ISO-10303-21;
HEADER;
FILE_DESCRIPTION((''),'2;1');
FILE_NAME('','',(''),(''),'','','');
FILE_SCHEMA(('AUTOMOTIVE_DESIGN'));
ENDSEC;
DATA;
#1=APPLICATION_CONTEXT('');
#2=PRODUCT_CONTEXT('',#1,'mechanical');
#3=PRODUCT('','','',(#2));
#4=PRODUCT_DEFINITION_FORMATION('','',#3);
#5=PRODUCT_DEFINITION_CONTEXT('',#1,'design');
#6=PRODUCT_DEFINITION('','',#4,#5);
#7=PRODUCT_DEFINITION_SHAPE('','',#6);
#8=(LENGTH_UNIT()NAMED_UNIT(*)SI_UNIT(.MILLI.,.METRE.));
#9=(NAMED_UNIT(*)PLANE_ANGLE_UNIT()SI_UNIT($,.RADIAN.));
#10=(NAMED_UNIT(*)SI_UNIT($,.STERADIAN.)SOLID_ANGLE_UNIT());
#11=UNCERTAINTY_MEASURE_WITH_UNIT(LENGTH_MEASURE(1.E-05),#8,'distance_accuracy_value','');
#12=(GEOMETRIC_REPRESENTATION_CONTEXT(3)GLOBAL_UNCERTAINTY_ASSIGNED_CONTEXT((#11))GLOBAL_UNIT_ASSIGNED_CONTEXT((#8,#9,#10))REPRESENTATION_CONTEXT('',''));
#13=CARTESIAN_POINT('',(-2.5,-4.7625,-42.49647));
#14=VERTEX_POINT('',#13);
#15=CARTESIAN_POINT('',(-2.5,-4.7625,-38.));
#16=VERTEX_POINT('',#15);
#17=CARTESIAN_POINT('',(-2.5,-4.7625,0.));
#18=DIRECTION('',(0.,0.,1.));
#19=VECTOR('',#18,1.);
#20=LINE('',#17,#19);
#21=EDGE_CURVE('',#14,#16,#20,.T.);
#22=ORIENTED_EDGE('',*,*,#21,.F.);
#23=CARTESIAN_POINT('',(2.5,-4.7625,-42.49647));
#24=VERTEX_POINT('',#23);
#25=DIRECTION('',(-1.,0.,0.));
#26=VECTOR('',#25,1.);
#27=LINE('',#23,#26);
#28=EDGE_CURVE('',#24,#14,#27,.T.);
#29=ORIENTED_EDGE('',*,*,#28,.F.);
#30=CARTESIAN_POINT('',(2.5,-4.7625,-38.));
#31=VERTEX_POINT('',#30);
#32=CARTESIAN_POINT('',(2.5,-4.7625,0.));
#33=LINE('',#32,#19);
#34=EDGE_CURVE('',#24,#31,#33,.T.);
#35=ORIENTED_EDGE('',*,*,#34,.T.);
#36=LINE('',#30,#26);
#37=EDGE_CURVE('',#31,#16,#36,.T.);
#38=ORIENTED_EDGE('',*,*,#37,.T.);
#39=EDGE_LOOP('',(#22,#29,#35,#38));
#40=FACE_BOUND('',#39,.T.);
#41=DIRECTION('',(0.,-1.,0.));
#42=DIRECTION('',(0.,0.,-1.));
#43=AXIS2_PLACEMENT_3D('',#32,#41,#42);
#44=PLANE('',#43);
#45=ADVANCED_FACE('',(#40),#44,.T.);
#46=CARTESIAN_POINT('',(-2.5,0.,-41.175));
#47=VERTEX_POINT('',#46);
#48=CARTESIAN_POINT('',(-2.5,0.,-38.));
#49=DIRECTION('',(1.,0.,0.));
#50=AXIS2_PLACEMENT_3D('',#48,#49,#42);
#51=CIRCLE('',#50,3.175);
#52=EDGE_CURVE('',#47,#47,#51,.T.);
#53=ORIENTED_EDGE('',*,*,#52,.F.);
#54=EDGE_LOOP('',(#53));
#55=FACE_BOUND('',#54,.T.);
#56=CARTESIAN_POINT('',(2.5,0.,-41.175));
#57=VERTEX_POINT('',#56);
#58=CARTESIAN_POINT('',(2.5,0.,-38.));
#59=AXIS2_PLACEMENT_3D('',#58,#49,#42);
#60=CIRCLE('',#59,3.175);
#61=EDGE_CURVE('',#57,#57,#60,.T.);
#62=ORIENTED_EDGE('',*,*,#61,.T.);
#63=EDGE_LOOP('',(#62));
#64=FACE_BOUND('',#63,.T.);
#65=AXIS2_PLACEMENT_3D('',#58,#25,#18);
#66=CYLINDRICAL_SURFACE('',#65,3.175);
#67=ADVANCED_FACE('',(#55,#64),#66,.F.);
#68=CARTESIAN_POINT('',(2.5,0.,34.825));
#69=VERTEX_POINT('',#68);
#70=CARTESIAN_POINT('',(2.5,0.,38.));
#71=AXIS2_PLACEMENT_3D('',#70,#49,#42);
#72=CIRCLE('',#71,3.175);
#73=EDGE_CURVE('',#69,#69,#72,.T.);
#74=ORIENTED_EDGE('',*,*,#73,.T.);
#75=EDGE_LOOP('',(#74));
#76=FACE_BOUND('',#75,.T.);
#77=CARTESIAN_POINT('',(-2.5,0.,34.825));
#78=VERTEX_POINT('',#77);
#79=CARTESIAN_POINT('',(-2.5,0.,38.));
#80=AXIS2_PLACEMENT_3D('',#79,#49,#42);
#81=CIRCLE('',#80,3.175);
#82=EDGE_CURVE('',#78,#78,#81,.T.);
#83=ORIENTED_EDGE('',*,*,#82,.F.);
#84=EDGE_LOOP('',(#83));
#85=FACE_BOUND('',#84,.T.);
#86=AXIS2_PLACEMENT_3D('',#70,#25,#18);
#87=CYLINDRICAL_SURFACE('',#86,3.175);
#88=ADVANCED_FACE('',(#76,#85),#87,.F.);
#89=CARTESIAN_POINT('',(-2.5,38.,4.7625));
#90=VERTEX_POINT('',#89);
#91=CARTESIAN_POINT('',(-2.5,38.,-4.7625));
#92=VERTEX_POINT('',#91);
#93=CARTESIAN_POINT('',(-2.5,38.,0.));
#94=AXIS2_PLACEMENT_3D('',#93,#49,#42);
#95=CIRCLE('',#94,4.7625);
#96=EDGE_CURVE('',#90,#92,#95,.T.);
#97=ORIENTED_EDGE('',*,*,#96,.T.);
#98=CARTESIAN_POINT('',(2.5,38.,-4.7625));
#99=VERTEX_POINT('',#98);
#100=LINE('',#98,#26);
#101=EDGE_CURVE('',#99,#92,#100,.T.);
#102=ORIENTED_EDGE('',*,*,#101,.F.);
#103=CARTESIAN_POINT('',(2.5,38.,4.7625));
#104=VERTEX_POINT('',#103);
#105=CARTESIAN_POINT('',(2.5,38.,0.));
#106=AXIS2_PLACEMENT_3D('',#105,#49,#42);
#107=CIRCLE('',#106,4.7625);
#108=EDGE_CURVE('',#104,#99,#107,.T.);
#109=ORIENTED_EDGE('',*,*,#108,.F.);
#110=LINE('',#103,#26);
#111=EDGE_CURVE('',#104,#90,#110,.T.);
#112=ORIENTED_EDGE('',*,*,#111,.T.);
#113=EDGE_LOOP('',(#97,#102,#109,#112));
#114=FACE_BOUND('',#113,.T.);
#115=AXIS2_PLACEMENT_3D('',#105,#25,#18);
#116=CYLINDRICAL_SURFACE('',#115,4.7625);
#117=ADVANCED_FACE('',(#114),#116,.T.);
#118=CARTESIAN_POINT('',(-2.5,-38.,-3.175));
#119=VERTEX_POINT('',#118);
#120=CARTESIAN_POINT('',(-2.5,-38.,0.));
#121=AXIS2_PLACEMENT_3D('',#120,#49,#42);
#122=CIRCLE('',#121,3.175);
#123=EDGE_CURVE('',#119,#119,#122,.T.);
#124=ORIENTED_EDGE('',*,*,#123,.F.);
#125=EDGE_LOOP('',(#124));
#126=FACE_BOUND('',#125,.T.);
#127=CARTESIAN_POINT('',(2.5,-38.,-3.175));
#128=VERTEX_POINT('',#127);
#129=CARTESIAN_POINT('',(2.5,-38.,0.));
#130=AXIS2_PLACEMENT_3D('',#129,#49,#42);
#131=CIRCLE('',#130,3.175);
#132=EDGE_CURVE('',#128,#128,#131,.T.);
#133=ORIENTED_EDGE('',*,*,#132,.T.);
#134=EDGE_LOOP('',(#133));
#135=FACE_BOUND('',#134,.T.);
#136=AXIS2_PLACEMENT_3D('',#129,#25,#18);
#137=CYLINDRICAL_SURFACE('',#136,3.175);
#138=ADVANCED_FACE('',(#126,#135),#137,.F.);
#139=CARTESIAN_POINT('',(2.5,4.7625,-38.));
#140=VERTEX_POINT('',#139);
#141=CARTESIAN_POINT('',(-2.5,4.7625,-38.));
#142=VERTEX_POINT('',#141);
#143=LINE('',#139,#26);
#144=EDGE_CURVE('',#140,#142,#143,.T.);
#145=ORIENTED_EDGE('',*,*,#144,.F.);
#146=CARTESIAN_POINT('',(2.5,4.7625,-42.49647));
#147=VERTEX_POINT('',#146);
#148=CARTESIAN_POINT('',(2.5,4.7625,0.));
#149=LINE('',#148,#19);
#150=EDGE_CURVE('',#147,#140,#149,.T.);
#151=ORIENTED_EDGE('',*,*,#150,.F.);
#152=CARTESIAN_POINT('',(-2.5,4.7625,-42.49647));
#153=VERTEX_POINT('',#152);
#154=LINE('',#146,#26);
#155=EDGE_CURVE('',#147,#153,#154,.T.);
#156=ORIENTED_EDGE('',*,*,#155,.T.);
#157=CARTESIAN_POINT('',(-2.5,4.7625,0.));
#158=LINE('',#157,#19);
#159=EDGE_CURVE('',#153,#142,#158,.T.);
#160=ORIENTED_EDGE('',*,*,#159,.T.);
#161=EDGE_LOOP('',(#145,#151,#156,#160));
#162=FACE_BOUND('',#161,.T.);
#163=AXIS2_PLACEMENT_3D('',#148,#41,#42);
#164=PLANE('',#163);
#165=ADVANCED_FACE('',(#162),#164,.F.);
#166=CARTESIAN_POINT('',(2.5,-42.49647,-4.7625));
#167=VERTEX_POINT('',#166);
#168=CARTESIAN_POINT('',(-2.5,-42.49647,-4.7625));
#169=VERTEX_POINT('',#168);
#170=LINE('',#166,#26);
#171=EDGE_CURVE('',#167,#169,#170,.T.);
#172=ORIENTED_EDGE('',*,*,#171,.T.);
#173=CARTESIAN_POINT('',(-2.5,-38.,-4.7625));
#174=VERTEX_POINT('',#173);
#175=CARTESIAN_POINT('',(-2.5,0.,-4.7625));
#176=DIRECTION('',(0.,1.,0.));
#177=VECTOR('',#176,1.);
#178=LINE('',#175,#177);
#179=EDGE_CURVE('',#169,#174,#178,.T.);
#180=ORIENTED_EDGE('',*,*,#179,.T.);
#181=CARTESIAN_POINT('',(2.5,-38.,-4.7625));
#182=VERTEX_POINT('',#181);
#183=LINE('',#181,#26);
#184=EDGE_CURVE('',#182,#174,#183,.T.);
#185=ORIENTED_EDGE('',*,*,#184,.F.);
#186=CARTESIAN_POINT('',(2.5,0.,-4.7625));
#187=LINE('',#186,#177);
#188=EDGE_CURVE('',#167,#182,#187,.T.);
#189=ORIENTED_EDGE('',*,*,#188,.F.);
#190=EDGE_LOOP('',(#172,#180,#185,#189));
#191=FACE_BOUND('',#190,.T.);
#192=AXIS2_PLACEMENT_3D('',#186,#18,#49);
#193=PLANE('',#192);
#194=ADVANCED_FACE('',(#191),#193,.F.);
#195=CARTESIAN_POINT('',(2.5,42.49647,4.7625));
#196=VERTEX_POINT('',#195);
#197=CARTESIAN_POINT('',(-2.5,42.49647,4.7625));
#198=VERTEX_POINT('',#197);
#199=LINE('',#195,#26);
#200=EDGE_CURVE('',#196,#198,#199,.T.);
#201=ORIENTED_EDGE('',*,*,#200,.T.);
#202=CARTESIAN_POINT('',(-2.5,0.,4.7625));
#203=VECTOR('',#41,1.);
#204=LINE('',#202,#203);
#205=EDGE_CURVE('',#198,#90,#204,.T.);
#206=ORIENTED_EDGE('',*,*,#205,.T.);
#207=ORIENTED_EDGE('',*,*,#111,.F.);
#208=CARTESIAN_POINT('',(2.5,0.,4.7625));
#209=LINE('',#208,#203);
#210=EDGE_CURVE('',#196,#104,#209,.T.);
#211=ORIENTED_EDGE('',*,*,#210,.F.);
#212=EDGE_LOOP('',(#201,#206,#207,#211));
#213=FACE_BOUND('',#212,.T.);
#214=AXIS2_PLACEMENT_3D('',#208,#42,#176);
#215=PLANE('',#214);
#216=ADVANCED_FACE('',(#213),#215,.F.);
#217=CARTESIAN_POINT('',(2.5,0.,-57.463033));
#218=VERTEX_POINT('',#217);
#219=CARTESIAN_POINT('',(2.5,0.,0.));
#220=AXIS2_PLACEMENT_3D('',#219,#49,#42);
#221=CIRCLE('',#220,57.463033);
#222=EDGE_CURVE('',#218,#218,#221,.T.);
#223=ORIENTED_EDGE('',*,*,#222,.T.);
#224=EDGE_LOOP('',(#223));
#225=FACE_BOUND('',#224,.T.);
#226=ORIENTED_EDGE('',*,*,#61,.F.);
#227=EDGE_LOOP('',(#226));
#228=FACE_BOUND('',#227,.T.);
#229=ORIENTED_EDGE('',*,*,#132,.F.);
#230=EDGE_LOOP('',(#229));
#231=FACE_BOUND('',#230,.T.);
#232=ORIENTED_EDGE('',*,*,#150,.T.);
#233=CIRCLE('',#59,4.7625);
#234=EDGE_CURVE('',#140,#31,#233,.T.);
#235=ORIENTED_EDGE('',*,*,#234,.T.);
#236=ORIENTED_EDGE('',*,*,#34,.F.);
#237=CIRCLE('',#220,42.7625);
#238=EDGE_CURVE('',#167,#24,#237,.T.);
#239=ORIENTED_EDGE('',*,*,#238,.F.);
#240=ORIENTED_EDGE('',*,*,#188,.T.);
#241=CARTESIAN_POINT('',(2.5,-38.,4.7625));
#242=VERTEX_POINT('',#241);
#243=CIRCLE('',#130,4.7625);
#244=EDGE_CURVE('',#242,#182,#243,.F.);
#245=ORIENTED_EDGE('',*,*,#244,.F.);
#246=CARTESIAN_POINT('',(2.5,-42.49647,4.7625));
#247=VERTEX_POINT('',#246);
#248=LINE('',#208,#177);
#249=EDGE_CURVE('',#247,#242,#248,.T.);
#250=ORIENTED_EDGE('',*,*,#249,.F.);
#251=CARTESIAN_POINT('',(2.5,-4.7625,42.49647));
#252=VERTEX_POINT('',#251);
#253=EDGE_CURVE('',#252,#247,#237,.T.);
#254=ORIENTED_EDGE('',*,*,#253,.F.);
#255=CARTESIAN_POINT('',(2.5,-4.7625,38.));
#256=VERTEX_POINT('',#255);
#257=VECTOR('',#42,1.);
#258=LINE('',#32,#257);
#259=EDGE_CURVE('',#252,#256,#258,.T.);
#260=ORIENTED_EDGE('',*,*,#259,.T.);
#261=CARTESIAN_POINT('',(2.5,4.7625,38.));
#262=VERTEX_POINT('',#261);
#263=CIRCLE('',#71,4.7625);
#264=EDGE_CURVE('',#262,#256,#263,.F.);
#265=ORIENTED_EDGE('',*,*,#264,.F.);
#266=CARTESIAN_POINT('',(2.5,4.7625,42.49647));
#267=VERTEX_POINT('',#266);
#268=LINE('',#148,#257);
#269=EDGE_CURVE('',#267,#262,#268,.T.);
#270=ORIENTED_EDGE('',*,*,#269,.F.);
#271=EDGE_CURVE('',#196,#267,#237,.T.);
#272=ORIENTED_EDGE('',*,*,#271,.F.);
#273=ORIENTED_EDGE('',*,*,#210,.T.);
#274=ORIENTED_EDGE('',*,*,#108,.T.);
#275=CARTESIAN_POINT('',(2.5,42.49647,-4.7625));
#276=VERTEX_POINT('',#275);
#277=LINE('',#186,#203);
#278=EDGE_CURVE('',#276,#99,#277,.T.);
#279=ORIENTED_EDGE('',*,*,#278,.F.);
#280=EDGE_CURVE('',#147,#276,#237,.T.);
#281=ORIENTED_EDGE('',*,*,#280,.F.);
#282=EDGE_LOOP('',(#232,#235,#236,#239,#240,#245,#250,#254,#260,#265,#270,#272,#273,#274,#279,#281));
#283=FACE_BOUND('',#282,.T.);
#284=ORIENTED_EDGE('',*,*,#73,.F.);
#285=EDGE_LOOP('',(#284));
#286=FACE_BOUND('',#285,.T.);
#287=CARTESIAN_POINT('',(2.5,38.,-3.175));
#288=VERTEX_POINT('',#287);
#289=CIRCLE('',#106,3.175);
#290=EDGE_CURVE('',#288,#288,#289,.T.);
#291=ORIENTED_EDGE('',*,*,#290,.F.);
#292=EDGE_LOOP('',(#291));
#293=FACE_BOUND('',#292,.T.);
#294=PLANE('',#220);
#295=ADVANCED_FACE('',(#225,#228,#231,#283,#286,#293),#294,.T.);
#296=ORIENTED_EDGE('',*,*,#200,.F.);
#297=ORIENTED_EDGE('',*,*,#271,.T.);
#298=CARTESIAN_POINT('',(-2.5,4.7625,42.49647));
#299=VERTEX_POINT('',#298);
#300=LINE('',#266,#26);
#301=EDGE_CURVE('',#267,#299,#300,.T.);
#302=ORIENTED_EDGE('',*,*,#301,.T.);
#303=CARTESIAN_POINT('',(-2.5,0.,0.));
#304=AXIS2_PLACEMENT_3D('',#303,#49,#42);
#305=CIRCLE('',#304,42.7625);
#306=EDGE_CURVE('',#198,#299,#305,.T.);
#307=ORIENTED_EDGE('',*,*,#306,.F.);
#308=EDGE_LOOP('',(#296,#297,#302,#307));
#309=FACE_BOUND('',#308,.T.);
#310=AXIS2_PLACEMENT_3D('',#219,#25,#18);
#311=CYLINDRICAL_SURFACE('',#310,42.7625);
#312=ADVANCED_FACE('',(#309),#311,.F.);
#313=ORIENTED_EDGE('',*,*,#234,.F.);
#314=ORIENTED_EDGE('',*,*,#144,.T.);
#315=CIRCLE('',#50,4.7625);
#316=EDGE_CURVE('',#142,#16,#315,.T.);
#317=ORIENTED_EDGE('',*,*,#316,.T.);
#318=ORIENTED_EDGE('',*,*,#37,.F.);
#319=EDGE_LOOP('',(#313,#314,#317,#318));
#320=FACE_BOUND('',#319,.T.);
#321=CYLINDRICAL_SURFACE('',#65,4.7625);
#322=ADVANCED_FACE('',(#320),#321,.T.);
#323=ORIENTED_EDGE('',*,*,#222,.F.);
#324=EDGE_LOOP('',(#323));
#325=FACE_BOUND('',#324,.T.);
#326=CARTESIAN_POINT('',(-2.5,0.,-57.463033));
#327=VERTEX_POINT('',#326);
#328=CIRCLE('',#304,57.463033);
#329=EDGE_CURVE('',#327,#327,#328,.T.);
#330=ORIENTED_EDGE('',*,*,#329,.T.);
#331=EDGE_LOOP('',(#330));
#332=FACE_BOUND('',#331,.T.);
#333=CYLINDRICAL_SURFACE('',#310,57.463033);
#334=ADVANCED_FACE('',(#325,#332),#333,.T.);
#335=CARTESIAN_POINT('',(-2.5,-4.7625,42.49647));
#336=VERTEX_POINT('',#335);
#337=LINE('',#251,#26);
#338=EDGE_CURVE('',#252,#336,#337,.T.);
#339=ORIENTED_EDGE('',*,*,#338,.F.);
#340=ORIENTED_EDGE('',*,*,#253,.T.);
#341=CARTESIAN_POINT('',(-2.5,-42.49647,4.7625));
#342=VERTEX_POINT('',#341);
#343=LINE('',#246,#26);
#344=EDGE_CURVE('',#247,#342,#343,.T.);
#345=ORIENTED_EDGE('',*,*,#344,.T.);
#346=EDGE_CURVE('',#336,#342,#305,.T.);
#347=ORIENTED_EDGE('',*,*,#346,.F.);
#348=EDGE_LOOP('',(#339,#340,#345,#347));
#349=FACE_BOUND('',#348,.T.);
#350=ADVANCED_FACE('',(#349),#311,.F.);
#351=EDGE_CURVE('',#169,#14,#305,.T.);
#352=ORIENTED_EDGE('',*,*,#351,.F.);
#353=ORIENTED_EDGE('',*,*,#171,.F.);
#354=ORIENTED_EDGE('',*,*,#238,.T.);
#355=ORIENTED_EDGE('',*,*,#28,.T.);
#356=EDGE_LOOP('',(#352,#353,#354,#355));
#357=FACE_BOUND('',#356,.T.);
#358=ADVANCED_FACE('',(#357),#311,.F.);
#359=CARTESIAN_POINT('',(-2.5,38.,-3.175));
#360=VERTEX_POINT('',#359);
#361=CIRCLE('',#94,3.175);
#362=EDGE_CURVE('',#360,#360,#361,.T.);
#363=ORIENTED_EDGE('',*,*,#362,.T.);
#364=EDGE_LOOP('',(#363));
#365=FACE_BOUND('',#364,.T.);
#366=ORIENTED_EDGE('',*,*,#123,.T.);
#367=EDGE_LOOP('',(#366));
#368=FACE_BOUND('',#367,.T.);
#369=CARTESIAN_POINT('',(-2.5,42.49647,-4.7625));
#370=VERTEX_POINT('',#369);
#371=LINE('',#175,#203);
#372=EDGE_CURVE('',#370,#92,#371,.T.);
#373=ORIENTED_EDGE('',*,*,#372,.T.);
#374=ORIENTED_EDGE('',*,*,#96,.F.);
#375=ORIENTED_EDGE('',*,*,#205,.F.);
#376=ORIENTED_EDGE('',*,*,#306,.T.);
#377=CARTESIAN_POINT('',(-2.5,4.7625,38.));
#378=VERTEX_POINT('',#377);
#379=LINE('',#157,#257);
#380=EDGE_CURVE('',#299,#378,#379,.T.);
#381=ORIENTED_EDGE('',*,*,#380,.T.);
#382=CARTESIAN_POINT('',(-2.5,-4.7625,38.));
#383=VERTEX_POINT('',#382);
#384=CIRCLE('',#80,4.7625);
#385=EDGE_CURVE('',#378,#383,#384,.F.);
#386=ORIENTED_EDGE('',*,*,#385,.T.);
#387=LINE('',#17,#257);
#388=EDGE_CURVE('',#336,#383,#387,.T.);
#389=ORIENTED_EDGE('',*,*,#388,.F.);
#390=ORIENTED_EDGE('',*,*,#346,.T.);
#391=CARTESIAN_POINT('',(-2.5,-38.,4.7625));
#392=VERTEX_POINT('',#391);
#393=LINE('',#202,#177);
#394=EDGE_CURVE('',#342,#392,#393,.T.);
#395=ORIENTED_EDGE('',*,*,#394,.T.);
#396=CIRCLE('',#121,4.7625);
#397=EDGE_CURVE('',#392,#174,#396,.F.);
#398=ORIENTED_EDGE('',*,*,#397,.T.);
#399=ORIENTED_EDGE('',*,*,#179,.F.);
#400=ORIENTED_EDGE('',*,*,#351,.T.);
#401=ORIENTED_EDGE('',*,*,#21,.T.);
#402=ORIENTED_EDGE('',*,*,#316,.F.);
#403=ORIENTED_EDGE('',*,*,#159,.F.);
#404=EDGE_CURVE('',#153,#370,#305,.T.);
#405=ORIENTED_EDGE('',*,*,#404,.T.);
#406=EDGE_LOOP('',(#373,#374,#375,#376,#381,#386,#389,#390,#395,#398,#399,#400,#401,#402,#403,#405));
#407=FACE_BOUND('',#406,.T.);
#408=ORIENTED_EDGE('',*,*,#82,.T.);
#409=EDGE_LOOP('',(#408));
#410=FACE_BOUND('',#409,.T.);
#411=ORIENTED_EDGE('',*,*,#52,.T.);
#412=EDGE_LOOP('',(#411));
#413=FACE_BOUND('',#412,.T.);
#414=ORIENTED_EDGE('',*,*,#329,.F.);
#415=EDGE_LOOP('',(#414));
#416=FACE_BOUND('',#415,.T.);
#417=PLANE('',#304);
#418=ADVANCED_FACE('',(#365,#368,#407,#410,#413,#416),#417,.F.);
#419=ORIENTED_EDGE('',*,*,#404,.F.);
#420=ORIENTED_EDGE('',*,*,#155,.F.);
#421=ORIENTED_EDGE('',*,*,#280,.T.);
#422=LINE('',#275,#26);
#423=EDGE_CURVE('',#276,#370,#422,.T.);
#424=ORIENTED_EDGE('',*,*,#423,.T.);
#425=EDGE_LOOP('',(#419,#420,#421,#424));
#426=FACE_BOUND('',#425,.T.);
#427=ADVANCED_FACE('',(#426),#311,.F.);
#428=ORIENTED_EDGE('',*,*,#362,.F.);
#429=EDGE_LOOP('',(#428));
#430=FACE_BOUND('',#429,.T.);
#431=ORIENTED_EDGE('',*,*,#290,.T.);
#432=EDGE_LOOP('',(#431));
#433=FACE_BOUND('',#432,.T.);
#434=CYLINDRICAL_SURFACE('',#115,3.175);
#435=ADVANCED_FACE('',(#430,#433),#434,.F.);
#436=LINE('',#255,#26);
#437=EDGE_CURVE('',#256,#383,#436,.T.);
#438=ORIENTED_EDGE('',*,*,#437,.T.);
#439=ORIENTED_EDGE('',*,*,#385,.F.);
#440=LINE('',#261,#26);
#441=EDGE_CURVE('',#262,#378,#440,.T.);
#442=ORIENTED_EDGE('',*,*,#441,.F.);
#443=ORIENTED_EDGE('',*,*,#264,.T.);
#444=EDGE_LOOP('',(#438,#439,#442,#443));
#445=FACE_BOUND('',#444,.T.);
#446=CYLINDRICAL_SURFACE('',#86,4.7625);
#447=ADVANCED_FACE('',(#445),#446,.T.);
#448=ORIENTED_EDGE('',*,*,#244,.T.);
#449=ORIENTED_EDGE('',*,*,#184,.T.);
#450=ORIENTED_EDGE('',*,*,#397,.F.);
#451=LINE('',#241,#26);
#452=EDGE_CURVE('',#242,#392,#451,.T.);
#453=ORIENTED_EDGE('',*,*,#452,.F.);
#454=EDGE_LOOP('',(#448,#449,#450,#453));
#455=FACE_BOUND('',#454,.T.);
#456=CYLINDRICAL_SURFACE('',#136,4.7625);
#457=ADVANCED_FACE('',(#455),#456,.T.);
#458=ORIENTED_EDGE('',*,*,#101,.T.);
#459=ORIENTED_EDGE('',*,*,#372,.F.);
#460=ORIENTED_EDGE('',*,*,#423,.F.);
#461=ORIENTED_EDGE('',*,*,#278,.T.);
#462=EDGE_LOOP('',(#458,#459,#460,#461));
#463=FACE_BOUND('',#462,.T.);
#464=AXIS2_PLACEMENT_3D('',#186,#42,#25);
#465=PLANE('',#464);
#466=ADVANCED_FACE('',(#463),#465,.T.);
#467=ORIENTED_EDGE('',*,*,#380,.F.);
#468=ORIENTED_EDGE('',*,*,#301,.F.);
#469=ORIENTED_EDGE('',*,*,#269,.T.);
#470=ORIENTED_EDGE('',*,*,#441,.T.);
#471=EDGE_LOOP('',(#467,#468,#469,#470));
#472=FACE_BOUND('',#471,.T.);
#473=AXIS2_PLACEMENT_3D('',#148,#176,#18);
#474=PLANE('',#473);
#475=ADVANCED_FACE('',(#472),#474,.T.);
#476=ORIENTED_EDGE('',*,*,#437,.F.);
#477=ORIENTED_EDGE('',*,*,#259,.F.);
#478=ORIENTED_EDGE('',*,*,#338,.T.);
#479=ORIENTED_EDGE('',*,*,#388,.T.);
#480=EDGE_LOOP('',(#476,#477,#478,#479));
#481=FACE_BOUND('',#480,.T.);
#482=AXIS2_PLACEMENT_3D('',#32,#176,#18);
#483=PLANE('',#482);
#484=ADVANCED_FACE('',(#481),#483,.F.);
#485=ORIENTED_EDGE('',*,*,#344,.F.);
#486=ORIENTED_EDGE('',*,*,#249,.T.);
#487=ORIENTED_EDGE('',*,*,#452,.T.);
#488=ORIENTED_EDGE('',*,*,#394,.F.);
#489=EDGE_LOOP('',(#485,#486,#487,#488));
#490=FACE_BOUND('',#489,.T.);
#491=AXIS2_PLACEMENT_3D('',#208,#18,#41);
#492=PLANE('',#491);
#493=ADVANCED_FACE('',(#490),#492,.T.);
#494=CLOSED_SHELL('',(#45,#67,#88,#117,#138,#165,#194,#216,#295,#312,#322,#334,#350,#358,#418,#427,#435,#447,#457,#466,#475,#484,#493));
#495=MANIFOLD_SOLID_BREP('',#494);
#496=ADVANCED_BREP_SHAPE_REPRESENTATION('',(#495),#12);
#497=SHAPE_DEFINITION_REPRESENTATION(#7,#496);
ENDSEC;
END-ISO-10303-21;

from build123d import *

# Parameters (mm, degrees)
SKETCH1_R           = 57.463033318
SKETCH1_R_2         = 42.7625
SKETCH1_R_3         = 3.175
BOSS_EXTRUDE1_DEPTH = 2.5


with BuildPart() as part:
    # Sketch1 → Boss-Extrude1 (new body, symmetric)
    with BuildSketch(Plane(origin=(0, 0, 0), x_dir=(0, 0, -1), z_dir=(1, 0, 0))):
        Circle(SKETCH1_R)
        Circle(SKETCH1_R_2, mode=Mode.SUBTRACT)
        with BuildLine():
            Line((-38, 4.7625), (-42.496470442, 4.7625))
            ThreePointArc((-42.496470442, 4.7625), (-42.7625, 0), (-42.496470442, -4.7625))
            Line((-42.496470442, -4.7625), (-38, -4.7625))
            ThreePointArc((-38, -4.7625), (-33.2375, 0), (-38, 4.7625))
        make_face()
        with Locations((-38, 0)):
            Circle(SKETCH1_R_3, mode=Mode.SUBTRACT)
        with BuildLine():
            ThreePointArc((4.7625, 42.496470442), (0, 42.7625), (-4.7625, 42.496470442))
            Line((-4.7625, 42.496470442), (-4.7625, 38))
            ThreePointArc((-4.7625, 38), (0, 33.2375), (4.7625, 38))
            Line((4.7625, 38), (4.7625, 42.496470442))
        make_face()
        with Locations((0, 38)):
            Circle(SKETCH1_R_3, mode=Mode.SUBTRACT)
        with BuildLine():
            ThreePointArc((42.7625, 0), (42.695940811, 2.384962158), (42.496470442, 4.7625))
            Line((42.496470442, 4.7625), (38, 4.7625))
            ThreePointArc((38, 4.7625), (33.2375, 0), (38, -4.7625))
            Line((38, -4.7625), (42.496470442, -4.7625))
            ThreePointArc((42.496470442, -4.7625), (42.695940811, -2.384962158), (42.7625, 0))
        make_face()
        with Locations((38, 0)):
            Circle(SKETCH1_R_3, mode=Mode.SUBTRACT)
        with BuildLine():
            Line((-4.7625, -38), (-4.7625, -42.496470442))
            ThreePointArc((-4.7625, -42.496470442), (0, -42.7625), (4.7625, -42.496470442))
            Line((4.7625, -42.496470442), (4.7625, -38))
            ThreePointArc((4.7625, -38), (0, -33.2375), (-4.7625, -38))
        make_face()
        with Locations((0, -38)):
            Circle(SKETCH1_R_3, mode=Mode.SUBTRACT)
    extrude(amount=BOSS_EXTRUDE1_DEPTH, both=True)


solid = part.part
